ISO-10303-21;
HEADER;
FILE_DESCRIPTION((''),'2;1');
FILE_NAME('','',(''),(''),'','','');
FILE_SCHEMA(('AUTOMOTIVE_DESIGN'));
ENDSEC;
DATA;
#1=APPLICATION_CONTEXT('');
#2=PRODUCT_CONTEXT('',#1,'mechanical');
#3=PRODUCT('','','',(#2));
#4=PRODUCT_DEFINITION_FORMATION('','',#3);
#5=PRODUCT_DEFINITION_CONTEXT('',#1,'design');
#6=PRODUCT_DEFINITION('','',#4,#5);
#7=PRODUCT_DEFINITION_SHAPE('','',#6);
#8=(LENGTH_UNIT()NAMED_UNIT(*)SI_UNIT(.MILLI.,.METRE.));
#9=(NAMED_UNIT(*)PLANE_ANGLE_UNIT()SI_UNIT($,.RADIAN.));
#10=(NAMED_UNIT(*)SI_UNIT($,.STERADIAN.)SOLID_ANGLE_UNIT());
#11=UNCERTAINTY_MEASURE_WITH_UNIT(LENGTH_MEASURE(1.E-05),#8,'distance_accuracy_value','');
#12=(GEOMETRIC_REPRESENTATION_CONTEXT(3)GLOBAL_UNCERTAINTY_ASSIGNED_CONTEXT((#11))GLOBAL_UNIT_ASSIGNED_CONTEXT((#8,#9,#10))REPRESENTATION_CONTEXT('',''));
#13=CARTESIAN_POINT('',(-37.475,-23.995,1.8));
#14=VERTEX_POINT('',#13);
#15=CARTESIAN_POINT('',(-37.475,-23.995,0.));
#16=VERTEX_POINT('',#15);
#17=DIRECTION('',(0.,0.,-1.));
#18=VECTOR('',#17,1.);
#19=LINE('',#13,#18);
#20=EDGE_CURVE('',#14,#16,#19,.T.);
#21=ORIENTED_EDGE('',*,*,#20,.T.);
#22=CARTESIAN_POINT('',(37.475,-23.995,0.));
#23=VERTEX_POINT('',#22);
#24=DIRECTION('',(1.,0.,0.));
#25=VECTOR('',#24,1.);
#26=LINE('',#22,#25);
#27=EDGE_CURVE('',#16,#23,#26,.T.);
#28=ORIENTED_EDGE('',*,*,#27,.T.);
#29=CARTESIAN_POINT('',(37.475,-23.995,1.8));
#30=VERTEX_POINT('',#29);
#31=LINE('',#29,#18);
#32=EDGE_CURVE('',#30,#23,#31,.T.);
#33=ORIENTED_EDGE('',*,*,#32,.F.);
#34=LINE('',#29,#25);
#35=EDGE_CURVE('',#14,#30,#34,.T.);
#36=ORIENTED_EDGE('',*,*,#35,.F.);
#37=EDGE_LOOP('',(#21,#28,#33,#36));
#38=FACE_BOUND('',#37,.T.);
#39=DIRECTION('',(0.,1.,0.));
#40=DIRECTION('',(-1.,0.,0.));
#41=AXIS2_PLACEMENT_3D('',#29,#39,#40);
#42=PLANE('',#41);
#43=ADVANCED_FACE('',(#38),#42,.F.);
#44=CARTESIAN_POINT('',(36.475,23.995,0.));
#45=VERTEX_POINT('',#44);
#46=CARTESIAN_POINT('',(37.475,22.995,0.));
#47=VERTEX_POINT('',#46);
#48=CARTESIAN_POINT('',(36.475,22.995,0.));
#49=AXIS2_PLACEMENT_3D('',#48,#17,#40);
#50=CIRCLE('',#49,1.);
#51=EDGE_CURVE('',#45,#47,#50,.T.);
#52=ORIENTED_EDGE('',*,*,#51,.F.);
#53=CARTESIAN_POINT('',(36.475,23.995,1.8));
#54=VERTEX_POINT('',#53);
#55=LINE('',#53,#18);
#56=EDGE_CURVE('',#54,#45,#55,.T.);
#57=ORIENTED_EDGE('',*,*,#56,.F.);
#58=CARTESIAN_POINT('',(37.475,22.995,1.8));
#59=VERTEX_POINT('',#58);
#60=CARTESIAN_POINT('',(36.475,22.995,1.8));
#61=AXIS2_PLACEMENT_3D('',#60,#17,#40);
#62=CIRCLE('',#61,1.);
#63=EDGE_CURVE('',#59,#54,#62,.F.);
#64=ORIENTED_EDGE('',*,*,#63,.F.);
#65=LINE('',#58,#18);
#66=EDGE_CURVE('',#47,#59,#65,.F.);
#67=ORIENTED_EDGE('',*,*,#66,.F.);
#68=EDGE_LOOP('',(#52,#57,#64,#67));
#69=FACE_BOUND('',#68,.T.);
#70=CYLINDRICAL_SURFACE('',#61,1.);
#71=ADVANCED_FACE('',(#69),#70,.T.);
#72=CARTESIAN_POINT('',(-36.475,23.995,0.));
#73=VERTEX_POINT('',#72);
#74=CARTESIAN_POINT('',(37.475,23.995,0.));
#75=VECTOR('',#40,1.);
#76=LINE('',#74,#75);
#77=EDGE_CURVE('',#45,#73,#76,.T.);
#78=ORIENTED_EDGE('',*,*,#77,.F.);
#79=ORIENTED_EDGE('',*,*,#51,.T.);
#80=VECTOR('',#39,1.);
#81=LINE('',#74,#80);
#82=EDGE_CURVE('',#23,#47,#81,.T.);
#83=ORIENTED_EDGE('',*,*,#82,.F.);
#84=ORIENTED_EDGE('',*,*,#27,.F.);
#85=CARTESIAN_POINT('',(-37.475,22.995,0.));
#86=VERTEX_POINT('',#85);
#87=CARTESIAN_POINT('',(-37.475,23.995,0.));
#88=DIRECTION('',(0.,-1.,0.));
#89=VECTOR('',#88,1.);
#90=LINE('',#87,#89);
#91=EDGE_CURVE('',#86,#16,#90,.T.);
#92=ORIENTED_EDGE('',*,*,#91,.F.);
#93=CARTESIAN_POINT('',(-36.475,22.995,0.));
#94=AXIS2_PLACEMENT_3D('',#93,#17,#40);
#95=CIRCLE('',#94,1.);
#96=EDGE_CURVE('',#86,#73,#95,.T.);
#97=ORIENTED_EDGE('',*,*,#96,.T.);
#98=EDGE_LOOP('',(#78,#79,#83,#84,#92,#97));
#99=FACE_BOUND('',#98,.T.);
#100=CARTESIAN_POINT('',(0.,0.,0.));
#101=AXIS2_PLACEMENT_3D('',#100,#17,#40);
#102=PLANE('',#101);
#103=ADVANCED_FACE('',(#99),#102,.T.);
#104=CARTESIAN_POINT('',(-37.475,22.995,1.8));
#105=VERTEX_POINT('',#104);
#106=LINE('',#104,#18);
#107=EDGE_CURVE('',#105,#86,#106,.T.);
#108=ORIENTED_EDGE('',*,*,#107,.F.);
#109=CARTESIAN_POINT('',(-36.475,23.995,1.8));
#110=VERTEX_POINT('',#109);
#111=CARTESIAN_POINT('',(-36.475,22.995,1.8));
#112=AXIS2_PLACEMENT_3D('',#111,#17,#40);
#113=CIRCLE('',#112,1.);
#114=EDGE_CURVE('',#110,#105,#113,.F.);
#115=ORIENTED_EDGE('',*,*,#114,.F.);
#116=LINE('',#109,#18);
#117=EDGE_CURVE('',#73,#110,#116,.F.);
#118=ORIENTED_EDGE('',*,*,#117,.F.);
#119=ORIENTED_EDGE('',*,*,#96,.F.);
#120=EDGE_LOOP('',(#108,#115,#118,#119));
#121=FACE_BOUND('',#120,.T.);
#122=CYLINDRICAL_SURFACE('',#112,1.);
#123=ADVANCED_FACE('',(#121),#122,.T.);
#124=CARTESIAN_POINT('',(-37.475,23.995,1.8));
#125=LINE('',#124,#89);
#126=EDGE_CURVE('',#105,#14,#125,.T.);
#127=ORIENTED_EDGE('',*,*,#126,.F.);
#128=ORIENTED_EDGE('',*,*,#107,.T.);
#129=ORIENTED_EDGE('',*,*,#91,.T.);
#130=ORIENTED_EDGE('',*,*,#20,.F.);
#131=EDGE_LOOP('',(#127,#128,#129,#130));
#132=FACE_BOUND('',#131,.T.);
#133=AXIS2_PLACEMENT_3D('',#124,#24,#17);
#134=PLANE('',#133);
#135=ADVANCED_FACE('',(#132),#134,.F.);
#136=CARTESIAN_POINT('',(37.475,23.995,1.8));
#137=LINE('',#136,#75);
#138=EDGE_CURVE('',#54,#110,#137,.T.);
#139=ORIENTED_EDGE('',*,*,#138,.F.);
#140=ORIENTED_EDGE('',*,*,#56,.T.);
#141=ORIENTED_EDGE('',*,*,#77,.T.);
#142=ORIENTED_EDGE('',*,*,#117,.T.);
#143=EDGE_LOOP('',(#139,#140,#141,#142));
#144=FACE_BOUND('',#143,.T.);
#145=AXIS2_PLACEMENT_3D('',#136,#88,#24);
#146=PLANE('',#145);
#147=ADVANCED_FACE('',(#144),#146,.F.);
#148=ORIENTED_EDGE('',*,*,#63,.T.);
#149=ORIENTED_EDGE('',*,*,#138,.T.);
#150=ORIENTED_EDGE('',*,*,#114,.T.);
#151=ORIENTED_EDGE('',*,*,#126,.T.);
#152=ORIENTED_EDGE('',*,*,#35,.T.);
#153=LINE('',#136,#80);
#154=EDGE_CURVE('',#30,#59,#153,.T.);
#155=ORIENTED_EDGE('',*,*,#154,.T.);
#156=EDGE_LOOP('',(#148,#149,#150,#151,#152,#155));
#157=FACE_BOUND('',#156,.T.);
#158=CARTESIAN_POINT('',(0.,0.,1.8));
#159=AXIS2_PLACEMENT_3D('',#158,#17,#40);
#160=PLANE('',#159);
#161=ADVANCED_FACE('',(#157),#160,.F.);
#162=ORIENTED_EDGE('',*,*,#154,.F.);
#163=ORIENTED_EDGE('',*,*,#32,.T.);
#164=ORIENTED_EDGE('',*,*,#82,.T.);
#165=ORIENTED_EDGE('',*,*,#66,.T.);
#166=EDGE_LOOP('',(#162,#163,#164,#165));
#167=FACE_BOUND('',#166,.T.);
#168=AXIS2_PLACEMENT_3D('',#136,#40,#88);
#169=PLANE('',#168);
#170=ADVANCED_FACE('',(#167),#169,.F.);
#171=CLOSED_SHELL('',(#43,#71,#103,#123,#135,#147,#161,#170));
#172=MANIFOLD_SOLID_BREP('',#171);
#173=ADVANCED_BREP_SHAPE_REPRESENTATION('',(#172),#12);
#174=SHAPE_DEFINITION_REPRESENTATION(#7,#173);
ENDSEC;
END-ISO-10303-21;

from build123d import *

# Parameters (mm, degrees)
ESQUISSE1_W        = 74.95
ESQUISSE1_H        = 47.99
BOSS_EXTRU_1_DEPTH = 1.8
CONG_1_R           = 1


with BuildPart() as part:
    # Esquisse1 → Boss.-Extru.1 (new body)
    with BuildSketch(Plane.XY):
        Rectangle(ESQUISSE1_W, ESQUISSE1_H)
    extrude(amount=BOSS_EXTRU_1_DEPTH)

    # Congé1
    cong_1_edges = [part.edges().sort_by_distance(p)[0] for p in [
        (-37.475, 23.995, 0.9),
        (37.475, 23.995, 0.9),
    ]]
    fillet(cong_1_edges, radius=CONG_1_R)


solid = part.part
